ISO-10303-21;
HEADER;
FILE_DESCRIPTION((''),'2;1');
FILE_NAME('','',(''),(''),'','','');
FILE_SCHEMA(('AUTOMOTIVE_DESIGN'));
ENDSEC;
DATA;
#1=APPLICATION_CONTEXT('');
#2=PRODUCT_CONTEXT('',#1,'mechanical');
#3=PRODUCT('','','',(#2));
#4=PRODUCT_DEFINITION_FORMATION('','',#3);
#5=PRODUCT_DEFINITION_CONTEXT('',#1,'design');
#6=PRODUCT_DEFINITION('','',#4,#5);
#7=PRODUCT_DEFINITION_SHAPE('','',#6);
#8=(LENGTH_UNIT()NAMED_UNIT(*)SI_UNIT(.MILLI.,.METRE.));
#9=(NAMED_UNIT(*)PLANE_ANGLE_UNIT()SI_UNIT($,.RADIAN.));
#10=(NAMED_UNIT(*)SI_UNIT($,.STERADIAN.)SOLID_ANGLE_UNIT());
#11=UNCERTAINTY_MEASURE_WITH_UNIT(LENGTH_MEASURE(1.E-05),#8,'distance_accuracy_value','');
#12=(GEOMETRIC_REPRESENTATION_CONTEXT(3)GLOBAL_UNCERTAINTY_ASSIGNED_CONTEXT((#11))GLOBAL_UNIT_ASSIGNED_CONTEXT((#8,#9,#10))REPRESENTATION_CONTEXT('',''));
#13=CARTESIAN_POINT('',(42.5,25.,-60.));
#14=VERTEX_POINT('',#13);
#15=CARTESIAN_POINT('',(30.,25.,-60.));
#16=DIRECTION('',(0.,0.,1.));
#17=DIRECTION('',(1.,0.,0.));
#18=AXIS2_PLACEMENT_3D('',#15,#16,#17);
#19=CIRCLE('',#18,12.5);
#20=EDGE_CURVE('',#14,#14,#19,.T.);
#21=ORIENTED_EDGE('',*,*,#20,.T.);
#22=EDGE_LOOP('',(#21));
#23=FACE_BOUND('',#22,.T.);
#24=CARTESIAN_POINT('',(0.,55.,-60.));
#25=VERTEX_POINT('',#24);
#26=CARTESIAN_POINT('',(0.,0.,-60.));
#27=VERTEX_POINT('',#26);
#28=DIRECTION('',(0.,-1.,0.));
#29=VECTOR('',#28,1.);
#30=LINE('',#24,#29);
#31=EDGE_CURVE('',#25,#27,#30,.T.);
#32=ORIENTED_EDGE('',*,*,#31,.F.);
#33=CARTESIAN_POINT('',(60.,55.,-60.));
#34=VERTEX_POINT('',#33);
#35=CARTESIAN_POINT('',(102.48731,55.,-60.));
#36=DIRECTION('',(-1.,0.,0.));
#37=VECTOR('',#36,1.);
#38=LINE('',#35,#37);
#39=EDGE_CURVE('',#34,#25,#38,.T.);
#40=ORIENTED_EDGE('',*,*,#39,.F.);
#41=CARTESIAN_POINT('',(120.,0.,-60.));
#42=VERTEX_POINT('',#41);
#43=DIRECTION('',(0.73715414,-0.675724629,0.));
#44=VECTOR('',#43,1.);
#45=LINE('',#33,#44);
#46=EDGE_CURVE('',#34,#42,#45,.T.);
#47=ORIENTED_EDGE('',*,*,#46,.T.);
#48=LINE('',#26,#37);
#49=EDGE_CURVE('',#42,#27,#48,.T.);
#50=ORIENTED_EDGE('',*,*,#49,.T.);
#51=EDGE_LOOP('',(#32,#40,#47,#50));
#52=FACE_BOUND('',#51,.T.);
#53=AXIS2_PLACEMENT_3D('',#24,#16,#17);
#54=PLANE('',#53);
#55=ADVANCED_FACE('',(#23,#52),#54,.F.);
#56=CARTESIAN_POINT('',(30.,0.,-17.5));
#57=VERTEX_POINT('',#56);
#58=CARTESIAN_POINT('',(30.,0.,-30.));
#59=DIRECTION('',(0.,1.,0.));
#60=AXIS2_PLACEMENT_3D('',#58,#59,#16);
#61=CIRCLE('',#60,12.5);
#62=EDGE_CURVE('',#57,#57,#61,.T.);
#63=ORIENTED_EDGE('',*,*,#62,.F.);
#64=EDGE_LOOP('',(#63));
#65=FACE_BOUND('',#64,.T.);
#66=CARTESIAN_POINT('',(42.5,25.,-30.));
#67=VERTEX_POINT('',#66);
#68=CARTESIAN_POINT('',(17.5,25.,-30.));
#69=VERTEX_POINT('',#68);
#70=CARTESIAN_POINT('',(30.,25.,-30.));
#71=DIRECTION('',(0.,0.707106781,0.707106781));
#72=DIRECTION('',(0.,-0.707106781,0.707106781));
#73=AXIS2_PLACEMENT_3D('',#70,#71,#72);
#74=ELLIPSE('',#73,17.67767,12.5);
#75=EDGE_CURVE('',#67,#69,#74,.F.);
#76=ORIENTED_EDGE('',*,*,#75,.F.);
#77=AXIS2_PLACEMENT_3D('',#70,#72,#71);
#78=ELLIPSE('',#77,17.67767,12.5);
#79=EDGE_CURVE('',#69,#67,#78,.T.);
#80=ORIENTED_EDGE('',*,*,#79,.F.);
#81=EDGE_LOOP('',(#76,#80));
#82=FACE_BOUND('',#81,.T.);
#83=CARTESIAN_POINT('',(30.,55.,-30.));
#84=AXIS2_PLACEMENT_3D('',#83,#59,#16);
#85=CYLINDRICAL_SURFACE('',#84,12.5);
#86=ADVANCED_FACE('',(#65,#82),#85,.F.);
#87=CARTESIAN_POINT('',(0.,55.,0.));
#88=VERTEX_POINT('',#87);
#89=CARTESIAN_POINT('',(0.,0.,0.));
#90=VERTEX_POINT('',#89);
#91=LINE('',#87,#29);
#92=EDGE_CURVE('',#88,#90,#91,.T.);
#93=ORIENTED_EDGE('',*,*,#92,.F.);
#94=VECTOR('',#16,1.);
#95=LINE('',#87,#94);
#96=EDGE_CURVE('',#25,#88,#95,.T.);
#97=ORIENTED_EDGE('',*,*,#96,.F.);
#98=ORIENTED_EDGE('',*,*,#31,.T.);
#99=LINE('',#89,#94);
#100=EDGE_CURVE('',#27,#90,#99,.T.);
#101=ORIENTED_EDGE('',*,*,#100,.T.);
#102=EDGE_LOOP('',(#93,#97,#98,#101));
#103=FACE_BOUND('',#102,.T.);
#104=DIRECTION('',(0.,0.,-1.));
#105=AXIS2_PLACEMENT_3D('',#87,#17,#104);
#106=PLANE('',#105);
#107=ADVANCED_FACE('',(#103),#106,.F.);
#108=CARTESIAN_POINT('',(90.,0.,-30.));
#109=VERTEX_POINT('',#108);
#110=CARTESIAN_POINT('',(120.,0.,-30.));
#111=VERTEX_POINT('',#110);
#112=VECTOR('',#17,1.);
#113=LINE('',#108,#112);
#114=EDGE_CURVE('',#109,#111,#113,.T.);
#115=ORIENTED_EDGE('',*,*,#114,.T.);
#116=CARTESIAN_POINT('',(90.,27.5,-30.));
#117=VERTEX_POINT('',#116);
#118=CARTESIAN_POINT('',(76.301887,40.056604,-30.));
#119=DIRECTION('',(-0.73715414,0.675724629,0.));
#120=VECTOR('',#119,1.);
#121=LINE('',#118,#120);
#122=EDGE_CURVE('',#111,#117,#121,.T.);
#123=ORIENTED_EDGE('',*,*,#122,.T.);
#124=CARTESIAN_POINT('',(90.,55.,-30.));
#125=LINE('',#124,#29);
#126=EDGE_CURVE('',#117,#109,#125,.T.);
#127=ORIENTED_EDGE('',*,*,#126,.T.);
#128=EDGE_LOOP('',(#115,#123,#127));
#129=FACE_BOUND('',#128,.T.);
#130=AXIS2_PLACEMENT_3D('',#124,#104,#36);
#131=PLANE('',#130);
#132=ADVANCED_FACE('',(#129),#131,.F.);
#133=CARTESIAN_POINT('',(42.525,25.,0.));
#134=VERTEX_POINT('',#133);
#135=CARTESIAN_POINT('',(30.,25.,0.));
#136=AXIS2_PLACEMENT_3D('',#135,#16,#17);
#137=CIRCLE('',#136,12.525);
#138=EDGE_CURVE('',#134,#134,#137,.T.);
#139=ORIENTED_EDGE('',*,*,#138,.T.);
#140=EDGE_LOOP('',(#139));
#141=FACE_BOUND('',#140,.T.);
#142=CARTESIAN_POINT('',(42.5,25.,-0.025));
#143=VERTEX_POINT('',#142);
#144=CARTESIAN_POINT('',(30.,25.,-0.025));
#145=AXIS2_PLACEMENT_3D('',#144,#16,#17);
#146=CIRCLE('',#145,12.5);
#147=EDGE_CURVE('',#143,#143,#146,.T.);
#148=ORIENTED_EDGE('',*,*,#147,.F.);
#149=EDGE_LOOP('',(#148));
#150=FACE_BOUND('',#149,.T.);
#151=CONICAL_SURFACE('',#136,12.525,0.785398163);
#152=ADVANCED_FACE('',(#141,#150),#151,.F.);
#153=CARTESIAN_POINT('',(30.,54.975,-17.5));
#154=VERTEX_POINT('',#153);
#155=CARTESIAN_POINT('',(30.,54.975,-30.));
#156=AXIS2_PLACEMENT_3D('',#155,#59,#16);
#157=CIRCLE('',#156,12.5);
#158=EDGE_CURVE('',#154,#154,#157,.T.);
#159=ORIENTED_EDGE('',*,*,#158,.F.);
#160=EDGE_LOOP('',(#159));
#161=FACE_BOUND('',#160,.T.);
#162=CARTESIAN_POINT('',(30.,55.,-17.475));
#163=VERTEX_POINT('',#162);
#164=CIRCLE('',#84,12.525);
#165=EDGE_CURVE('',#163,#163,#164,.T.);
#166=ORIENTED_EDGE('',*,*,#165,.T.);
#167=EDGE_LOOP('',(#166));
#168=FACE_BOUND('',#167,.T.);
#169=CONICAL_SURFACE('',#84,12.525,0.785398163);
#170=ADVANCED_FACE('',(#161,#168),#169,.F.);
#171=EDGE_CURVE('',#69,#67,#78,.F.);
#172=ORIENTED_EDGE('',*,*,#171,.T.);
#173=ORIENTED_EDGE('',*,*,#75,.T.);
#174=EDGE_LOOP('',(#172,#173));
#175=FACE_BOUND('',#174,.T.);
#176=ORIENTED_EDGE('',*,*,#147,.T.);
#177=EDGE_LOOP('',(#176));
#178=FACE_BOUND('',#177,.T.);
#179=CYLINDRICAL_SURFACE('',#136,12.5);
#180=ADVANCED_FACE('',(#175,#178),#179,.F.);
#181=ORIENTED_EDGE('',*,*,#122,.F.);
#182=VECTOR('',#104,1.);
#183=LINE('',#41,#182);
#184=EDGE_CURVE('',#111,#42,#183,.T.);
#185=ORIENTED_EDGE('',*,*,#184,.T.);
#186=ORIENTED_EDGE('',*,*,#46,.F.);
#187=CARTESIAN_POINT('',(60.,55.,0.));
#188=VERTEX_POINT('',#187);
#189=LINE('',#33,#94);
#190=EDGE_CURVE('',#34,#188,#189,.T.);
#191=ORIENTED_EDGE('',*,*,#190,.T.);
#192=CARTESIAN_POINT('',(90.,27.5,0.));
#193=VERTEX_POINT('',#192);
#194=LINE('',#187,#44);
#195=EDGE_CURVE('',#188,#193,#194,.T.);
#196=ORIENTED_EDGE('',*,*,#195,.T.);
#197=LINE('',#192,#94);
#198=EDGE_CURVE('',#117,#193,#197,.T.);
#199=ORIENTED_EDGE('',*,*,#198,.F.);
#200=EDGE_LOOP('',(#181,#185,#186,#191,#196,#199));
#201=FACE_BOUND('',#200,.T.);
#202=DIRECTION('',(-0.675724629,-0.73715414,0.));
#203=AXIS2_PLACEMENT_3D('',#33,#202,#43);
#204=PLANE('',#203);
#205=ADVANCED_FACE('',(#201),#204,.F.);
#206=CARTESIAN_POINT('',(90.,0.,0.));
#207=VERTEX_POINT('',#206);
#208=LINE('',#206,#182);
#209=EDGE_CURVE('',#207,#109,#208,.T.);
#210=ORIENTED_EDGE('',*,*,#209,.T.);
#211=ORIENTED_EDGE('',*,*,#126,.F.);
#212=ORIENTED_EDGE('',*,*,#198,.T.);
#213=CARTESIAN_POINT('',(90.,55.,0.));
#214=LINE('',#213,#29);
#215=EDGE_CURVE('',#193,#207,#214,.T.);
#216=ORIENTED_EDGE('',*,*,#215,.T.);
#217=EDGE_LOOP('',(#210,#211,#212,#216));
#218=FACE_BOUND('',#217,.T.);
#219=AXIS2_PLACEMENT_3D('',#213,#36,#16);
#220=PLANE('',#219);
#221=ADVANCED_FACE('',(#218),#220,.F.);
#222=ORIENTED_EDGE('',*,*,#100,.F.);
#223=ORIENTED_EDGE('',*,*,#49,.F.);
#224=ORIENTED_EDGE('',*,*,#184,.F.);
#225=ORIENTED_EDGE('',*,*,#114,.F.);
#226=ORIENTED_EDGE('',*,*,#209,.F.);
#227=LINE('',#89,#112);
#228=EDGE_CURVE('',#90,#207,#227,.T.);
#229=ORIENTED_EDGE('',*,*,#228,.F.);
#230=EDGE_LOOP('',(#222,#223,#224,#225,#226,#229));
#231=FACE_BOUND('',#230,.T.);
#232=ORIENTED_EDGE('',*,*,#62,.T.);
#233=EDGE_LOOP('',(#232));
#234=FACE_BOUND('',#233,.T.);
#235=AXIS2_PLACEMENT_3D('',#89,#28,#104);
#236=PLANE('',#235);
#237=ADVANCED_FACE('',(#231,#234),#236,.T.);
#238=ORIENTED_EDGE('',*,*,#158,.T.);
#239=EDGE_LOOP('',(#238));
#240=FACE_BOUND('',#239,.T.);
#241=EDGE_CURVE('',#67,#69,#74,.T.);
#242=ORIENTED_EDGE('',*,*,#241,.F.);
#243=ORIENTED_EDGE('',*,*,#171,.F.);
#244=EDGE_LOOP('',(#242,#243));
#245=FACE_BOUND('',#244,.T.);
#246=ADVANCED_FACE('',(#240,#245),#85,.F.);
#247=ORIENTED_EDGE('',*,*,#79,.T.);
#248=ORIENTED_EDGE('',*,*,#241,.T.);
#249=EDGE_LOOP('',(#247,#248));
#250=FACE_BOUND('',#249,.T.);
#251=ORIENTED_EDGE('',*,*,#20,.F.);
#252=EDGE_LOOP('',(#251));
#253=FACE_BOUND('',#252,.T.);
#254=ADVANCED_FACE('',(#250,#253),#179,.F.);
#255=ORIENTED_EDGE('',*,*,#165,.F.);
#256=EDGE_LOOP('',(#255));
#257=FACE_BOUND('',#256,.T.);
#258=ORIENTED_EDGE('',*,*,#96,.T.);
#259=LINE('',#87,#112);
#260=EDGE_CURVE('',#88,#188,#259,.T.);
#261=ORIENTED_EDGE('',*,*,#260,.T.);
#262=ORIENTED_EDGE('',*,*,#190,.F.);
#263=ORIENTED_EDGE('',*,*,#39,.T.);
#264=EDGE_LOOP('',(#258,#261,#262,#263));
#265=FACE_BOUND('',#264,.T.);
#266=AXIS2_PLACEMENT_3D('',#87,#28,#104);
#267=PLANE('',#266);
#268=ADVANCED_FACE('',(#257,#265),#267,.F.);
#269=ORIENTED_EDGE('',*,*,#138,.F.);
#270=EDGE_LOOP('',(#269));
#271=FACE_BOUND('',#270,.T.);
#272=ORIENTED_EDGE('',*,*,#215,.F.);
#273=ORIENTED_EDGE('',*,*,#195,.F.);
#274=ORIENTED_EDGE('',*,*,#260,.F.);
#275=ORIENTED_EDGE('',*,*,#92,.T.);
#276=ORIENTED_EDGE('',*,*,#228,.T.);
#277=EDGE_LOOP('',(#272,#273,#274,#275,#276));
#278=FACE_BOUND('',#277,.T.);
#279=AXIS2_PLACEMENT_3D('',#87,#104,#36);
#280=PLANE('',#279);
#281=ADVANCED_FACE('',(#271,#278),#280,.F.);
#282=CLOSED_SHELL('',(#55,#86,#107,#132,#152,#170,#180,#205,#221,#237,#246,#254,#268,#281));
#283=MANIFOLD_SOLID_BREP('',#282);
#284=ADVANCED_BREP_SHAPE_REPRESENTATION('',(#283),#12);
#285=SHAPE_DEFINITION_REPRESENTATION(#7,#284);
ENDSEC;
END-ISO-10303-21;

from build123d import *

# Parameters (mm, degrees)
BOSS_EXTRUDE1_DEPTH                  = 55
CUT_EXTRUDE2_DEPTH                   = 146
F_25_0_25_DIAMETER_HOLE3_D           = 25
F_25_0_25_DIAMETER_HOLE3_CSINK_D     = 25.05
F_25_0_25_DIAMETER_HOLE3_CSINK_ANGLE = 90
F_25_0_25_DIAMETER_HOLE4_D           = 25
F_25_0_25_DIAMETER_HOLE4_CSINK_D     = 25.05
F_25_0_25_DIAMETER_HOLE4_CSINK_ANGLE = 90


with BuildPart() as part:
    # Sketch1 → Boss-Extrude1 (new body)
    with BuildSketch(Plane(origin=(0, 0, 0), x_dir=(1, 0, 0), z_dir=(0, 1, 0))):
        Polygon((0, 0), (90, 0), (90, 30), (120, 30), (120, 60), (102.487310381, 60), (0, 60), align=None)
    extrude(amount=BOSS_EXTRUDE1_DEPTH)

    # Sketch4 → Cut-Extrude2 (cut, through all)
    with BuildSketch(Plane.XY):
        Polygon((60, 55), (120, 0), (120, 55), align=None)
    extrude(amount=-CUT_EXTRUDE2_DEPTH, mode=Mode.SUBTRACT)

    # Ø25.0 (25) Diameter Hole3 (through all)
    with Locations(Plane(origin=(30, 25, 0), x_dir=(1, 0, 0), z_dir=(0, 0, 1))):
        with Locations((0, 0)):
            CounterSinkHole(F_25_0_25_DIAMETER_HOLE3_D / 2, F_25_0_25_DIAMETER_HOLE3_CSINK_D / 2, counter_sink_angle=F_25_0_25_DIAMETER_HOLE3_CSINK_ANGLE)

    # Ø25.0 (25) Diameter Hole4 (through all)
    with Locations(Plane(origin=(30, 55, -30), x_dir=(0, 0, 1), z_dir=(0, 1, 0))):
        with Locations((0, 0)):
            CounterSinkHole(F_25_0_25_DIAMETER_HOLE4_D / 2, F_25_0_25_DIAMETER_HOLE4_CSINK_D / 2, counter_sink_angle=F_25_0_25_DIAMETER_HOLE4_CSINK_ANGLE)


solid = part.part
